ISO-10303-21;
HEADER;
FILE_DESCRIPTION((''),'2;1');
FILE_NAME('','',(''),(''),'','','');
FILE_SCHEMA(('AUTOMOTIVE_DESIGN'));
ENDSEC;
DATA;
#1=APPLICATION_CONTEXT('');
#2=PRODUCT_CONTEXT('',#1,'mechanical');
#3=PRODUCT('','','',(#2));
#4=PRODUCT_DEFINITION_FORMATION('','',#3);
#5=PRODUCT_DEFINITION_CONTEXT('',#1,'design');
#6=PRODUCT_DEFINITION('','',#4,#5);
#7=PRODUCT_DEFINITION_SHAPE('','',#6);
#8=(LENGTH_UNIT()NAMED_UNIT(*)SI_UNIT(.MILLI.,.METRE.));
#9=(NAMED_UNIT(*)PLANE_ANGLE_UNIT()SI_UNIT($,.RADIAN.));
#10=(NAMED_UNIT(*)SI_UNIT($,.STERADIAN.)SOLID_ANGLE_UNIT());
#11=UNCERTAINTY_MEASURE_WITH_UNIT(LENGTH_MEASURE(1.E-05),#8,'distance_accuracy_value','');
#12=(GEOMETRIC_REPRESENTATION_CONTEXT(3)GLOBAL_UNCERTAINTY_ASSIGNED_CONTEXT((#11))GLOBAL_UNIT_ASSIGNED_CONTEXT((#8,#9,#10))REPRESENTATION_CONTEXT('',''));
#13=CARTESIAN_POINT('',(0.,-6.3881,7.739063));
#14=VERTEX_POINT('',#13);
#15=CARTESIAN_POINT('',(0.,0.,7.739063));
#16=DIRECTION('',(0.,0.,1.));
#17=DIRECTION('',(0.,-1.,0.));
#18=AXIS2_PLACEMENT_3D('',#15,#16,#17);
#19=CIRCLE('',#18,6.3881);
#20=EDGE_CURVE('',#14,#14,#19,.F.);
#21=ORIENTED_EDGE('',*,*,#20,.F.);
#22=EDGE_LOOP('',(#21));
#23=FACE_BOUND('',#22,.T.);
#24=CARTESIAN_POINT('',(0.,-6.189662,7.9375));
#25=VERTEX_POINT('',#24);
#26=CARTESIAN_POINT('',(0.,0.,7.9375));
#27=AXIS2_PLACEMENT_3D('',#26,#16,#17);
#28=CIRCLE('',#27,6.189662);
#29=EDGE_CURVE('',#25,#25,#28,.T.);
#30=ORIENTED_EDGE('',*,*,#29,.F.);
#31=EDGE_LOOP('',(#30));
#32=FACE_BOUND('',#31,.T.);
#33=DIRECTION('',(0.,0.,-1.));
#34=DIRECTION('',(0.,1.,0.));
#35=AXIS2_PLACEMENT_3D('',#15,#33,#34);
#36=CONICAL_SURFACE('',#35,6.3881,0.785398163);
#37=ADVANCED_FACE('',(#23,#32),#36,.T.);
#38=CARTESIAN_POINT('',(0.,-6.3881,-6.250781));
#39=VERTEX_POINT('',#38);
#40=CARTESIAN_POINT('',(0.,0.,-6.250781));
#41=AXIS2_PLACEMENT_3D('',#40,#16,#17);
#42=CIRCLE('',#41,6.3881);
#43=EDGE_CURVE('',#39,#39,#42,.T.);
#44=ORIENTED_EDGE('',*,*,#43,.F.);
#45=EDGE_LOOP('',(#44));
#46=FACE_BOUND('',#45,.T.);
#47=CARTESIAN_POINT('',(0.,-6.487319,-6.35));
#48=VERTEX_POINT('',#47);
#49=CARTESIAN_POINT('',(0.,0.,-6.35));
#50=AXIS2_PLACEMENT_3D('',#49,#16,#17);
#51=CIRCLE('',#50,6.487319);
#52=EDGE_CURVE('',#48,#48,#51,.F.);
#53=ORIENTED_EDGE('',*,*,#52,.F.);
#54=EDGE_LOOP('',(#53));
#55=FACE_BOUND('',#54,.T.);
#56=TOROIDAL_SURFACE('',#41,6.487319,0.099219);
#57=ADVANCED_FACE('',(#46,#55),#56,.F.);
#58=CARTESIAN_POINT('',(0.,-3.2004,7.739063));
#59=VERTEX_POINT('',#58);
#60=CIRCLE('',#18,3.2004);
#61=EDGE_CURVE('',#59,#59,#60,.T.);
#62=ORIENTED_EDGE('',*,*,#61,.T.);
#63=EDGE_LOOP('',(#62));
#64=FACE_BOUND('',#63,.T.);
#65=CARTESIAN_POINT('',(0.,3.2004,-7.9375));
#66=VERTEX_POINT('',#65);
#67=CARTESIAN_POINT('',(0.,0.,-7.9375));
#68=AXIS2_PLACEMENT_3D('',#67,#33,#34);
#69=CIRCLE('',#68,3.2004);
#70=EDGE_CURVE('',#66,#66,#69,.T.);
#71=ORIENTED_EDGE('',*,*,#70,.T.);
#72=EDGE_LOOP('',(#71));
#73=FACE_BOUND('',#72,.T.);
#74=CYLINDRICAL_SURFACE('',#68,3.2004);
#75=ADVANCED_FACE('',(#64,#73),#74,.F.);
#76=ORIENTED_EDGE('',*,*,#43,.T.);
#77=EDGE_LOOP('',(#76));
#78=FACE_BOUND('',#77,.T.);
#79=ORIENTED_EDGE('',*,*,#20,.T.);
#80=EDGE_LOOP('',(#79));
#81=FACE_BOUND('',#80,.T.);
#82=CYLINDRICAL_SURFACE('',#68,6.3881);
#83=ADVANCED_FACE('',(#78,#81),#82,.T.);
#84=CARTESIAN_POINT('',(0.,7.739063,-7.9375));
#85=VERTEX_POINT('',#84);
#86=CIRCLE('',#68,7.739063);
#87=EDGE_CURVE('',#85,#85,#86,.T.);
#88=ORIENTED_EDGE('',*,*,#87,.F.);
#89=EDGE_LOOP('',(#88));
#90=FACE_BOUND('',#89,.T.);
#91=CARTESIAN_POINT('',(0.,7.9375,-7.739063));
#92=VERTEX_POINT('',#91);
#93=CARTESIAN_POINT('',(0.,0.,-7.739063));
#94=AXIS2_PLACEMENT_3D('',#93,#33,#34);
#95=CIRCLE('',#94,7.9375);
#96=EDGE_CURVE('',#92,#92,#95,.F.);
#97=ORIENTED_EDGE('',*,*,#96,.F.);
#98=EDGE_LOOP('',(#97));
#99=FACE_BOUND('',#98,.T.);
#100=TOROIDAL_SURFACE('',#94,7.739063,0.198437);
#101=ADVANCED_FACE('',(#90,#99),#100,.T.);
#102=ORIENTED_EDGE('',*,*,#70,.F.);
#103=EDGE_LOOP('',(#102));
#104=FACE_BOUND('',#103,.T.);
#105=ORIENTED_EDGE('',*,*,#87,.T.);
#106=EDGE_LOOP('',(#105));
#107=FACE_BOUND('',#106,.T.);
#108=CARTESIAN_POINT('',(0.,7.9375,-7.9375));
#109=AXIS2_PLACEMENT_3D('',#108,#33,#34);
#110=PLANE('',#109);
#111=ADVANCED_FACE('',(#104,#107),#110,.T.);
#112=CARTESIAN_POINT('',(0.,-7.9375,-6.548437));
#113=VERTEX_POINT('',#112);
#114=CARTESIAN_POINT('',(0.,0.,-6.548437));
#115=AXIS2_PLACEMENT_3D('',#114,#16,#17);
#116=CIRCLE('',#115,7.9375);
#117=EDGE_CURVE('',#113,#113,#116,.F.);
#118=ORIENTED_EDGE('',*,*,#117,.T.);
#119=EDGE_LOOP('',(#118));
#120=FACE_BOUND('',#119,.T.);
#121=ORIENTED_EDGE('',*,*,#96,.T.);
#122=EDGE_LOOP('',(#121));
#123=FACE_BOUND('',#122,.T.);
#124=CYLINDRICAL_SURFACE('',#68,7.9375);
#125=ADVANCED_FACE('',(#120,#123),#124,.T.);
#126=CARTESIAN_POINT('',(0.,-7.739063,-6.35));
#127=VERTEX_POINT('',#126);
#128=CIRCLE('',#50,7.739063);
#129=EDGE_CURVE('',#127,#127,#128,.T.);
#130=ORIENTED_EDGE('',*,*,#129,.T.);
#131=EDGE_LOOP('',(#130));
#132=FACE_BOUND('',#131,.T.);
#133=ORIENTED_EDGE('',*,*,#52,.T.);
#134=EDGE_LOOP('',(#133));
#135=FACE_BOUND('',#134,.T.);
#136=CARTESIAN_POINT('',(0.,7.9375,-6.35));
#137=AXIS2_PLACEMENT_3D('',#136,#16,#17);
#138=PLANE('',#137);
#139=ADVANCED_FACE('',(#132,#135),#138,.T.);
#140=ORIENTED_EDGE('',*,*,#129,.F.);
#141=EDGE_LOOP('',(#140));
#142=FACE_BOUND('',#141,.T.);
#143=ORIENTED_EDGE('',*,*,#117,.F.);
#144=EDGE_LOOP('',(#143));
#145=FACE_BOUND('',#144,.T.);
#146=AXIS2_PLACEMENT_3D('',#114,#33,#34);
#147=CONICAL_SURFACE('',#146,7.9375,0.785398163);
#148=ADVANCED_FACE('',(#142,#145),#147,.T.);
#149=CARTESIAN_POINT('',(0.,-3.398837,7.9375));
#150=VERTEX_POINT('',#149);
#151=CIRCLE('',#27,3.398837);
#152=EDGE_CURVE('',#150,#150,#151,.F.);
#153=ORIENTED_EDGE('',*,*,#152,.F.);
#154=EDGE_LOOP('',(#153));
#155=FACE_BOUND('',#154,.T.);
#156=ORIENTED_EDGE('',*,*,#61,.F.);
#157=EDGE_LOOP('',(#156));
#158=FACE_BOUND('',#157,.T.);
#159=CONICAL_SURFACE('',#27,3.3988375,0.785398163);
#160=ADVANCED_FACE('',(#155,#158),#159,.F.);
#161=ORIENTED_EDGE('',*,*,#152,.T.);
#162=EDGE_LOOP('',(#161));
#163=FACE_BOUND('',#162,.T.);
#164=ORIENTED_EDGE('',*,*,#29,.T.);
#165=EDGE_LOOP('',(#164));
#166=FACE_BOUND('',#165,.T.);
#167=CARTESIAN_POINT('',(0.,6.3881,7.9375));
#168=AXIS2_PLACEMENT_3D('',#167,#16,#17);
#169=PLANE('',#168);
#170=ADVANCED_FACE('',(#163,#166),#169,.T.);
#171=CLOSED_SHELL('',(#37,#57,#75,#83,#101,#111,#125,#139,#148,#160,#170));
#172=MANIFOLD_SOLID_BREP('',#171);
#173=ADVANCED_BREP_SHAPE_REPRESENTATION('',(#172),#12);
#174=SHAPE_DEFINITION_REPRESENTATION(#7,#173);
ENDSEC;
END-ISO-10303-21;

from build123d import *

# Parameters (mm, degrees)
CHAMFER1_SIZE = 0.1984375
FILLET1_R     = 0.1984375
FILLET2_R     = 0.09921875


with BuildPart() as part:
    # Sketch3 → Revolve1 (revolve)
    with BuildSketch(Plane(origin=(0, 0, 0), x_dir=(0, 0, -1), z_dir=(1, 0, 0))):
        Polygon((7.9375, 7.9375), (6.35, 7.9375), (6.35, 6.3881), (-7.9375, 6.3881), (-7.9375, 3.2004), (7.9375, 3.2004), align=None)
    revolve(axis=Axis((0, 0, -7.9375), (0, 0, 1)))

    # Chamfer1
    chamfer1_edges = [part.edges().sort_by_distance(p)[0] for p in [
        (0, -3.2004, 7.9375),
        (0, -6.3881, 7.9375),
        (0, -7.9375, -6.35),
    ]]
    chamfer(chamfer1_edges, length=CHAMFER1_SIZE)

    # Fillet1
    fillet1_edges = [part.edges().sort_by_distance(p)[0] for p in [
        (0, -7.9375, -7.9375),
    ]]
    fillet(fillet1_edges, radius=FILLET1_R)

    # Fillet2
    fillet2_edges = [part.edges().sort_by_distance(p)[0] for p in [
        (0, -6.3881, -6.35),
    ]]
    fillet(fillet2_edges, radius=FILLET2_R)


solid = part.part
